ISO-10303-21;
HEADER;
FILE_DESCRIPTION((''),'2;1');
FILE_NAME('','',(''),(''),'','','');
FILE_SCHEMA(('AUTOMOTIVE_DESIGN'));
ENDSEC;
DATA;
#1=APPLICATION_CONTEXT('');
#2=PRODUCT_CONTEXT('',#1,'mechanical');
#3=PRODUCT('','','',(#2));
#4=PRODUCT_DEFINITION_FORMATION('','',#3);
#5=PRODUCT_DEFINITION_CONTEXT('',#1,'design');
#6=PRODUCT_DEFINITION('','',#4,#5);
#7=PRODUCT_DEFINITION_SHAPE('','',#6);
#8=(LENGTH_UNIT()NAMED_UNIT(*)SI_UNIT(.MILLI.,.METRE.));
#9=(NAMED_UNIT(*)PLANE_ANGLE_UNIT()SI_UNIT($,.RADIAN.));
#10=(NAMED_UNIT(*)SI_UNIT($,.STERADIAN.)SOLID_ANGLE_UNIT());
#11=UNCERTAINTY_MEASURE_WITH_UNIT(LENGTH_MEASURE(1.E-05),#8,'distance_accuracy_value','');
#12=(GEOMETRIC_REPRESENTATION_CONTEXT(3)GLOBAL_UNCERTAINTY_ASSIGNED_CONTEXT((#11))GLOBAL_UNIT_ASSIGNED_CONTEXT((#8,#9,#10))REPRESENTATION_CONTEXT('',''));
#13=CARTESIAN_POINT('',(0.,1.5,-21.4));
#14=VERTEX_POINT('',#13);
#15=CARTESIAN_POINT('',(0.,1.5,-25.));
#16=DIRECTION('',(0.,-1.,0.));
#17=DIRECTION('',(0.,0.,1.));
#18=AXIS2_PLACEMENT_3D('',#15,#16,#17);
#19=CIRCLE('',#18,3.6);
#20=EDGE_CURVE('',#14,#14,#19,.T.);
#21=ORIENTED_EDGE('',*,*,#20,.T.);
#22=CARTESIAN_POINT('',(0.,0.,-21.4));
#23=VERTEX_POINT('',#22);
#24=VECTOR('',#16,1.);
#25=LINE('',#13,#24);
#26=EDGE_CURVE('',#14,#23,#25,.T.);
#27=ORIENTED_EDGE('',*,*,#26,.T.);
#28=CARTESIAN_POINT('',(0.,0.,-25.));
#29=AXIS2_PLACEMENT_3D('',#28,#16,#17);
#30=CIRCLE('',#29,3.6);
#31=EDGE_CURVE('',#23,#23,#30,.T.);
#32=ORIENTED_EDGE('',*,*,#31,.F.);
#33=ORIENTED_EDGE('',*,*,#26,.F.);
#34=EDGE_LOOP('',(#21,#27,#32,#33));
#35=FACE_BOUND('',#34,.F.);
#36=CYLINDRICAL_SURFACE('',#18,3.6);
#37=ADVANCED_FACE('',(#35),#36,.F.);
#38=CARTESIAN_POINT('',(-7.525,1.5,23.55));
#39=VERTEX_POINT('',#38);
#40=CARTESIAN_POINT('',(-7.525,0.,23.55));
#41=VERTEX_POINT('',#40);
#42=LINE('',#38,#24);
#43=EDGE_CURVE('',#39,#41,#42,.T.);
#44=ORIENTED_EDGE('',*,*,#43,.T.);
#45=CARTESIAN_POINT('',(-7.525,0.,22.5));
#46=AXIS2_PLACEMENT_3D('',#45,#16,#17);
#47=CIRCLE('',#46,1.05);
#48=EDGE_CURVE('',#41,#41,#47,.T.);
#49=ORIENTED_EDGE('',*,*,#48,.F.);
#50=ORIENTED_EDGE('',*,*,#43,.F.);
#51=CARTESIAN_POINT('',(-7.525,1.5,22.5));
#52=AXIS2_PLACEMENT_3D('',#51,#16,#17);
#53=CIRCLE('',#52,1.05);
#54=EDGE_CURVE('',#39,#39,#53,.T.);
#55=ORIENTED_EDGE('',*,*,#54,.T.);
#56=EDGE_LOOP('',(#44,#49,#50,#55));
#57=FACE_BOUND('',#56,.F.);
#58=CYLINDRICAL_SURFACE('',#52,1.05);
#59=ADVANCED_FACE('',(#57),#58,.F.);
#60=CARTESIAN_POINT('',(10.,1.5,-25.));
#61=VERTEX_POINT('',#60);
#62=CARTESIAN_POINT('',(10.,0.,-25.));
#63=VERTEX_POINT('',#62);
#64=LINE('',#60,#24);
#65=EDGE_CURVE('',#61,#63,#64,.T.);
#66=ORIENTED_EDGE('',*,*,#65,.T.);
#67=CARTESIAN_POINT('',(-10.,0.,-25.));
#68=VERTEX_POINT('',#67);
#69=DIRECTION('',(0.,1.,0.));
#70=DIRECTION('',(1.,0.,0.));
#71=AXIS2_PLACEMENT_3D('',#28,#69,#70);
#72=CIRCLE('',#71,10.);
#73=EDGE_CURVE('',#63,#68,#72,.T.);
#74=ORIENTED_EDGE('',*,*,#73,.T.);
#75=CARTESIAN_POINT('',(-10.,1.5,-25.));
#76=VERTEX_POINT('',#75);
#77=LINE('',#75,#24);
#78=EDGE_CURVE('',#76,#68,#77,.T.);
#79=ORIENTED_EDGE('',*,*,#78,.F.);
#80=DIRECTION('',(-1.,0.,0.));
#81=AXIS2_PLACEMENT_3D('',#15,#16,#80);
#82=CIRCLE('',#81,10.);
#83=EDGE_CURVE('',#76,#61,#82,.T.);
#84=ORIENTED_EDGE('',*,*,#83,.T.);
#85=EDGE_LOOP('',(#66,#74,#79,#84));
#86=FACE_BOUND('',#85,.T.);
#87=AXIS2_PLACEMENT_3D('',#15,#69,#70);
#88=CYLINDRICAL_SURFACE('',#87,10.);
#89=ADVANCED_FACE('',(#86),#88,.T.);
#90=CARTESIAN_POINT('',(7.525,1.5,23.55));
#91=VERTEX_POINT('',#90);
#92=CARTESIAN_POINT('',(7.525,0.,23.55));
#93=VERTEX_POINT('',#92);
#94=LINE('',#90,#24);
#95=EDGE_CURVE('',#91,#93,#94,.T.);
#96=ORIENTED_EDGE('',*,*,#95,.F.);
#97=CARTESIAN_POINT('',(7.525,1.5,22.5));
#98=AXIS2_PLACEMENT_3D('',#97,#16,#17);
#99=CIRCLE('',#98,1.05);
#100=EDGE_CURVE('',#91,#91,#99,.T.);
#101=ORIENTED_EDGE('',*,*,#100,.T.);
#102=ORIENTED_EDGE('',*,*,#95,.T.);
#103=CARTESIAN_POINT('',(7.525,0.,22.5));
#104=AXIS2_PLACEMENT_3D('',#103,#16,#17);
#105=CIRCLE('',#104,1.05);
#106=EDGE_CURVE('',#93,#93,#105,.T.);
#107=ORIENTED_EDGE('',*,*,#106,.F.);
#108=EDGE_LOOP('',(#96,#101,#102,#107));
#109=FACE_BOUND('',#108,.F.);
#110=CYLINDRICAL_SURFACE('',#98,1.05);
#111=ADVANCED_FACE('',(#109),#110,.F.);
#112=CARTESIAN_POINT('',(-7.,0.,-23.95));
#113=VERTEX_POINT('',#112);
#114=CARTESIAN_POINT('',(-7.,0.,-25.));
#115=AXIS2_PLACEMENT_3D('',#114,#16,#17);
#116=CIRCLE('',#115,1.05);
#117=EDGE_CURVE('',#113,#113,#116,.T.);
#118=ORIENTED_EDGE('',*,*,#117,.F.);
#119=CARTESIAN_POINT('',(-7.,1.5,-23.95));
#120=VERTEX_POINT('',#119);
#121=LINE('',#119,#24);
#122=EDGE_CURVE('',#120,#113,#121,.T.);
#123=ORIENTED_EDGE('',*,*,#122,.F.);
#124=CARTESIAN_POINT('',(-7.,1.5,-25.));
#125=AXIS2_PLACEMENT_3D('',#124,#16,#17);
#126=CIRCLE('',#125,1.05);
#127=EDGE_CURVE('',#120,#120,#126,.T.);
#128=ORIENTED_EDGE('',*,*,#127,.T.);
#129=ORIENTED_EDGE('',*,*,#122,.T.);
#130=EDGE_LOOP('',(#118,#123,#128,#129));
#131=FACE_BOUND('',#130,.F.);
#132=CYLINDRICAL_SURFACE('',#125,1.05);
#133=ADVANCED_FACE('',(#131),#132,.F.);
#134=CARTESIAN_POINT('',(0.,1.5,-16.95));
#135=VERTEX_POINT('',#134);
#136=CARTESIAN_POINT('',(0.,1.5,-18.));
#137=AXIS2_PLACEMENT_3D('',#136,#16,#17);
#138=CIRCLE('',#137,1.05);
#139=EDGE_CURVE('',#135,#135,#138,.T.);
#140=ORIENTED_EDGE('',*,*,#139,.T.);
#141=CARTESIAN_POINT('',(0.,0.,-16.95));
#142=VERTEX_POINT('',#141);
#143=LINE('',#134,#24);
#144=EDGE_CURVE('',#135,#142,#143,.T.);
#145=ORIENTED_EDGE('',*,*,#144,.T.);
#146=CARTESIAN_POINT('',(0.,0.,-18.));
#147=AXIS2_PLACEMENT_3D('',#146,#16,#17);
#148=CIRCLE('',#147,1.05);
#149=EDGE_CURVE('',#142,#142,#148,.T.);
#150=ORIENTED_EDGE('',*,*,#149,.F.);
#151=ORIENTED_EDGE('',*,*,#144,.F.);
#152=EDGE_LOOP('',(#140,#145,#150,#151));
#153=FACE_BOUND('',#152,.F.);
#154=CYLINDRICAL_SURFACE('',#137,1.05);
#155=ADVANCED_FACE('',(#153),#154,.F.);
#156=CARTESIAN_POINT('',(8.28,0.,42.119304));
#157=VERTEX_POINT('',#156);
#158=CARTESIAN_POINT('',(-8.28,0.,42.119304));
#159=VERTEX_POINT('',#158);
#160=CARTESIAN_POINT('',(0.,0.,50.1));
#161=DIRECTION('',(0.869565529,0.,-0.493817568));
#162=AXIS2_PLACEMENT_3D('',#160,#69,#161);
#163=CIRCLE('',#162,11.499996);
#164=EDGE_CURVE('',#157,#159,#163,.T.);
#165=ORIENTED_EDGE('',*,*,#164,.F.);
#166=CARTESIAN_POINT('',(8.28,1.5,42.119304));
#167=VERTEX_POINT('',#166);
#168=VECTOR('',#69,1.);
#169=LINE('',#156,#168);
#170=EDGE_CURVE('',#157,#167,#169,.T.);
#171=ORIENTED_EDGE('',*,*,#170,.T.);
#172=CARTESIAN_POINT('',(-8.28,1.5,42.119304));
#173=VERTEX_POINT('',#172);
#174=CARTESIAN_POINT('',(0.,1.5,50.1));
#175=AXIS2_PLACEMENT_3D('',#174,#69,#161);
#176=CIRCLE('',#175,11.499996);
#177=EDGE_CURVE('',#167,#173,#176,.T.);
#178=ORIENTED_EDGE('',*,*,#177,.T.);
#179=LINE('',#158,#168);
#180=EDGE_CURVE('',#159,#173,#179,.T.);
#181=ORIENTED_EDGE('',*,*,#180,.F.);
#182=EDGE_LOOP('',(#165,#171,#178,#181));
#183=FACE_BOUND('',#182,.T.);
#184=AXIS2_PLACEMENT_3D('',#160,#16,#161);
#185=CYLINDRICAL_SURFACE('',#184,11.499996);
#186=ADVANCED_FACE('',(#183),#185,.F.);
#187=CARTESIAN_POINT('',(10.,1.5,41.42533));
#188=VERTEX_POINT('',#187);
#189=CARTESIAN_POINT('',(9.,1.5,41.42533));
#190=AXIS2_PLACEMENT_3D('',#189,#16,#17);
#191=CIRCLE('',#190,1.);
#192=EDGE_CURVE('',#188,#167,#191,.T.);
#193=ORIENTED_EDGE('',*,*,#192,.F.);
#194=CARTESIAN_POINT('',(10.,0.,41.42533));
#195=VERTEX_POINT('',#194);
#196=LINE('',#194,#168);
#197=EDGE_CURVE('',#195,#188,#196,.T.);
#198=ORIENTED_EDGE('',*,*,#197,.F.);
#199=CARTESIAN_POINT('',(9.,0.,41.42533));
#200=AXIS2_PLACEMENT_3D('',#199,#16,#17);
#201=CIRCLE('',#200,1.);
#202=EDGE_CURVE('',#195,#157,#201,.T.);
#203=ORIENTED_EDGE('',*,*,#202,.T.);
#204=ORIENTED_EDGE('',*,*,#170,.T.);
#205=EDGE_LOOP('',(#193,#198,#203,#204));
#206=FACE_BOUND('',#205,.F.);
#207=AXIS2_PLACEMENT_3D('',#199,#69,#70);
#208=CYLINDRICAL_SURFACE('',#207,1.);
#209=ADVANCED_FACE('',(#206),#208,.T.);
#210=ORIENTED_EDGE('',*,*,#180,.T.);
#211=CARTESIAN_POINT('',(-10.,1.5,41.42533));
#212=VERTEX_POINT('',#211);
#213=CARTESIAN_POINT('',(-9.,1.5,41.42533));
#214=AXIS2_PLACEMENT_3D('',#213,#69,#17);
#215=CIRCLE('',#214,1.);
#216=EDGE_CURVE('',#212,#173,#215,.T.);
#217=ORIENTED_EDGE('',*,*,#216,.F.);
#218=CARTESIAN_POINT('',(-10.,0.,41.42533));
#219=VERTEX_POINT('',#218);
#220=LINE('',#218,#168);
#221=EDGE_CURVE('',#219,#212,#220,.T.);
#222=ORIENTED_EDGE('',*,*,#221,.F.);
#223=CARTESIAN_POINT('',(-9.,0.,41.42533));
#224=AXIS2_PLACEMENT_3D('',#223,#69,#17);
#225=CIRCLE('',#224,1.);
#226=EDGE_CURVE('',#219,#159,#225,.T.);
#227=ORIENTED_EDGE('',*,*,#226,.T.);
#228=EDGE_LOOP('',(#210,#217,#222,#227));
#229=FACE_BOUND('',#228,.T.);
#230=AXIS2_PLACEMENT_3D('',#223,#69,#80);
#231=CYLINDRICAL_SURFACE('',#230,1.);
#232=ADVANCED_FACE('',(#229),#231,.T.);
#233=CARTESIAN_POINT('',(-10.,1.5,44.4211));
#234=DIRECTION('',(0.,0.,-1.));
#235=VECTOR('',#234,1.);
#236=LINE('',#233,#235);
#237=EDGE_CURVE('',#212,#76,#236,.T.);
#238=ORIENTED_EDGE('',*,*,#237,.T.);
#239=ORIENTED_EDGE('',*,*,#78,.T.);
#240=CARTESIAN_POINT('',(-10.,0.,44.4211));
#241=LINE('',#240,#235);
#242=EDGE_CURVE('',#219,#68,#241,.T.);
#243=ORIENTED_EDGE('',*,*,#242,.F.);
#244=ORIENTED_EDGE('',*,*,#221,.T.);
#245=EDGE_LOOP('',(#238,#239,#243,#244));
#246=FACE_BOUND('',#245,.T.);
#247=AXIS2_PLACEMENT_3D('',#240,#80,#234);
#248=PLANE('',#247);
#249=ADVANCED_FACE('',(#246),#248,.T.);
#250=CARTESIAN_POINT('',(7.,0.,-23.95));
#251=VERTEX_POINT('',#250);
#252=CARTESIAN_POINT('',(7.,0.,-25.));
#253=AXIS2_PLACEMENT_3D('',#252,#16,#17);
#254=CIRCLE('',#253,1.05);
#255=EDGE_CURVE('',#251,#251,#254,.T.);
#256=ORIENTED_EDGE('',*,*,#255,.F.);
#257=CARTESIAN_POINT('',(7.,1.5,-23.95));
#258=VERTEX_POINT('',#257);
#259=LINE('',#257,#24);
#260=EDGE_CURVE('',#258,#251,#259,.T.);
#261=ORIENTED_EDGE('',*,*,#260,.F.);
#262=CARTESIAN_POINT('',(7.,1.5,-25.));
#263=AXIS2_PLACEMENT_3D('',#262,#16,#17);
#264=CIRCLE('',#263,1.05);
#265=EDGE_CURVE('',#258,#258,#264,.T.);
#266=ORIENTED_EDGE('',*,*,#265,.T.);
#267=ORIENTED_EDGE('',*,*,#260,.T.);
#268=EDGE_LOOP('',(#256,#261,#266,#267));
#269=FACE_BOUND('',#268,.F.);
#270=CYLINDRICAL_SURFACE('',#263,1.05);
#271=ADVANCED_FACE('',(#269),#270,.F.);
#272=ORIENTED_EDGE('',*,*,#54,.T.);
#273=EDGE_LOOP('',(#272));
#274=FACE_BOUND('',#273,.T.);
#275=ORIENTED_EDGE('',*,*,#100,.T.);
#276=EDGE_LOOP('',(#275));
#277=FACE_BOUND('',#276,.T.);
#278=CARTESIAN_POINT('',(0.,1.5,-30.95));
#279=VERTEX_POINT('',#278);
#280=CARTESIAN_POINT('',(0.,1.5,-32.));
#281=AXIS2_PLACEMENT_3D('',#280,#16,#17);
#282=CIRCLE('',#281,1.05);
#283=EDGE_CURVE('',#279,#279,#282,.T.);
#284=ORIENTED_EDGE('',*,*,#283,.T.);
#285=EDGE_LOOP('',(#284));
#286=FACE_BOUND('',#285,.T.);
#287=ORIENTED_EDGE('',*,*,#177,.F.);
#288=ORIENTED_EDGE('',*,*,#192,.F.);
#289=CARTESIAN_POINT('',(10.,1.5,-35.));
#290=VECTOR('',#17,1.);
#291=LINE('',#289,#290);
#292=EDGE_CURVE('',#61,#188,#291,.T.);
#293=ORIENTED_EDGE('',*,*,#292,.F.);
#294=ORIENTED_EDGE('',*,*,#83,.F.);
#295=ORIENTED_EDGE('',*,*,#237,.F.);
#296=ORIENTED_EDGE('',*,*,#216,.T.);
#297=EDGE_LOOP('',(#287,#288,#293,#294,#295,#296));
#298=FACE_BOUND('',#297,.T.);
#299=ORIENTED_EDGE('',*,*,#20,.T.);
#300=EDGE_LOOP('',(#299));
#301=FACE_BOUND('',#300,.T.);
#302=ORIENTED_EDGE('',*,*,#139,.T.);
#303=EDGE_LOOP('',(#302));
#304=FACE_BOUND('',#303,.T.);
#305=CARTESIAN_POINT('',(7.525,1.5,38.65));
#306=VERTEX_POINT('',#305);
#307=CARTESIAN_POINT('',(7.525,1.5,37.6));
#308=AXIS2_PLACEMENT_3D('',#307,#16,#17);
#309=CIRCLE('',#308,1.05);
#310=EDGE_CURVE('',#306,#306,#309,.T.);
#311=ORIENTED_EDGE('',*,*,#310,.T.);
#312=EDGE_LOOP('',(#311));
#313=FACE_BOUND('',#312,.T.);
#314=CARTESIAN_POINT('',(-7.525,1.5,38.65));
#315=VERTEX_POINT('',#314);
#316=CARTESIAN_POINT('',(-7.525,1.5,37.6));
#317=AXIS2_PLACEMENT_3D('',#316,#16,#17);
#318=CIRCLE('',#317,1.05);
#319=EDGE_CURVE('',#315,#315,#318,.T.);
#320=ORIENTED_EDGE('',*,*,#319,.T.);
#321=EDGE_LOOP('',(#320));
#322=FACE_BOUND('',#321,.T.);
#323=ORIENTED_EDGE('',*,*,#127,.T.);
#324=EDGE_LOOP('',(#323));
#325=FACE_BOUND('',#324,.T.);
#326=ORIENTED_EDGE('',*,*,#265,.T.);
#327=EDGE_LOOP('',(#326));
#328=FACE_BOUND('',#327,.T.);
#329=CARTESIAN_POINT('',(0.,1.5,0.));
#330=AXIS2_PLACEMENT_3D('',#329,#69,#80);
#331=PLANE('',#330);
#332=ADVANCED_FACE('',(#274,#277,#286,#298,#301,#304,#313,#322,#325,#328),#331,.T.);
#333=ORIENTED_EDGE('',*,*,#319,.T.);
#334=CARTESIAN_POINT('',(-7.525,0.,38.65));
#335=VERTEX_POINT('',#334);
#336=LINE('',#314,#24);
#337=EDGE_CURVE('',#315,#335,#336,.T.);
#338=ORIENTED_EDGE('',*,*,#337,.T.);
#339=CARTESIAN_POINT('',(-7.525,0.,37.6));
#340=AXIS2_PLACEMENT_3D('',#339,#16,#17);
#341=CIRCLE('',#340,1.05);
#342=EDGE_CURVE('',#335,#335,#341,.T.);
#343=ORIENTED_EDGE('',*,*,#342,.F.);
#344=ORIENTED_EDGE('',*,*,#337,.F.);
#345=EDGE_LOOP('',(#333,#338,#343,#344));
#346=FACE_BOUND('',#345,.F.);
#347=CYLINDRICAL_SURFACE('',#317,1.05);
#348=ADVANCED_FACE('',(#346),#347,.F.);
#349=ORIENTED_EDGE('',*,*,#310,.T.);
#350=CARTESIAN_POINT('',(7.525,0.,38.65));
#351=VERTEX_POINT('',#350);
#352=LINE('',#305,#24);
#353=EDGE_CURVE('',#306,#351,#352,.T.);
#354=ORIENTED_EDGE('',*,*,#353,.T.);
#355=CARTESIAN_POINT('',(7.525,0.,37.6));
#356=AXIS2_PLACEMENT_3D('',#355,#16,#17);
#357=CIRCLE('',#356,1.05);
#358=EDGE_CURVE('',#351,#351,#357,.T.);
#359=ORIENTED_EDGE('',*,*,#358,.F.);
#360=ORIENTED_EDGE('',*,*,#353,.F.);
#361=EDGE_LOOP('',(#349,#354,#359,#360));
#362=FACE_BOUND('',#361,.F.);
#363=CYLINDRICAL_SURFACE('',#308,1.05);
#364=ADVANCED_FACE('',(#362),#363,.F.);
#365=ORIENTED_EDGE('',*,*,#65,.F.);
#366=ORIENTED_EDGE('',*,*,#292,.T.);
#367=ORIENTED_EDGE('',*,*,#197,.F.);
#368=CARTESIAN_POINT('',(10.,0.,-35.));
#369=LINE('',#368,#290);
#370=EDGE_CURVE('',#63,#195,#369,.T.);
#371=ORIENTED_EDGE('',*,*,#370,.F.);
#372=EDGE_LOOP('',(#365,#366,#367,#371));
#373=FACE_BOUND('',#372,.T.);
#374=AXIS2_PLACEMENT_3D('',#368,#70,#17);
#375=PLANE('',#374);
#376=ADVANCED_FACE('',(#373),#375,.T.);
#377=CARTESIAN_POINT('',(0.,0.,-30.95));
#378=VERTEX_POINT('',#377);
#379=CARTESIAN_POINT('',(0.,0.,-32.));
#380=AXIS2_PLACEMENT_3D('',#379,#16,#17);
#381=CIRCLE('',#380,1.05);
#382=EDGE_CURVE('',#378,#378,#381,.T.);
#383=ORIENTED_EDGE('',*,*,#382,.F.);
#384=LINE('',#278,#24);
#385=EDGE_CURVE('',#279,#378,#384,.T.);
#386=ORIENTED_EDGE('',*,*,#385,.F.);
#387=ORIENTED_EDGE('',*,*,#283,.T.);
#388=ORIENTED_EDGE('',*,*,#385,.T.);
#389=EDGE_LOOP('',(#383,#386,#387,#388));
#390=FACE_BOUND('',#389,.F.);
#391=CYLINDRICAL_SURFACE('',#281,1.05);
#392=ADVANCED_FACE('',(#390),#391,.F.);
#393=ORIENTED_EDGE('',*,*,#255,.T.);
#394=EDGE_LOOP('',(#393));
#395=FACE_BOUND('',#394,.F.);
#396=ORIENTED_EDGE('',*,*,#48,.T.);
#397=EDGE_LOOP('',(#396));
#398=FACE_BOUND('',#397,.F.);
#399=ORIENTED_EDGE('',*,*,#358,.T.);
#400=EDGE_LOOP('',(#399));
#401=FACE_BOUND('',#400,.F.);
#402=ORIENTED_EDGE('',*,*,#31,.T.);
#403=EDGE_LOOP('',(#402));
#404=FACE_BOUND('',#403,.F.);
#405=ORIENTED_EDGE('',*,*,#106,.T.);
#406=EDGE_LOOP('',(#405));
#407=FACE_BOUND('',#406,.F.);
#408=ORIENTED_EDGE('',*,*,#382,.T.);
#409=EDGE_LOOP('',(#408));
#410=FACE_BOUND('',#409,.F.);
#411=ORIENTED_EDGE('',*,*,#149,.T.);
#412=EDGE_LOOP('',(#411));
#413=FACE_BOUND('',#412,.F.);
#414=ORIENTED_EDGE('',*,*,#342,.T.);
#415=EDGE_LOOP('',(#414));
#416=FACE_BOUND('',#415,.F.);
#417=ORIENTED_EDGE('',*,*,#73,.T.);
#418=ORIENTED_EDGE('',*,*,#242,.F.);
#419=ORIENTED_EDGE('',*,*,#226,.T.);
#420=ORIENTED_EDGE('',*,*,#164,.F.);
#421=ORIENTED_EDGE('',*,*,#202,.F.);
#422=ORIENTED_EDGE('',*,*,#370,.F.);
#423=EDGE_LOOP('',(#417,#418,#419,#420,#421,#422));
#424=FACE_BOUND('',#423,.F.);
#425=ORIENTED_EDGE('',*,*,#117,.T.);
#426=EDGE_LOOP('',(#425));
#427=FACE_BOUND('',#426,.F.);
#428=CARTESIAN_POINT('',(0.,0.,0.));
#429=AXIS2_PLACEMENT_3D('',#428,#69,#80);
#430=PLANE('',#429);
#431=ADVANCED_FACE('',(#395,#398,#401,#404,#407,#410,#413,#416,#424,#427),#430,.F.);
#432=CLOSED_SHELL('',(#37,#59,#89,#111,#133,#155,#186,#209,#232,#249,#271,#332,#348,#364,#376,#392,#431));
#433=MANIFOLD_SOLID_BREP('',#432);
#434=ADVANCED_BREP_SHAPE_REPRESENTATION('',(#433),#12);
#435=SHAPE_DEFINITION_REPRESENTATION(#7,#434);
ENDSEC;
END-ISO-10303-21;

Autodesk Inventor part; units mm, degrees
ref_plane "YZ Plane" through (0, 0, 0) normal (1, 0, 0) x (0, 1, 0)
ref_plane "XZ Plane" through (0, 0, 0) normal (0, 1, 0) x (-1, 0, 0)
ref_plane "XY Plane" through (0, 0, 0) normal (0, 0, 1) x (1, 0, 0)
sketch "Sketch1" plane through (0, 0, 0) normal (0, 1, 0) x (-1, 0, 0)
  line L0 (10, -35) -> (-10, -35)
  line L1 (-10, -35) -> (-10, 44.4211)
  line L2 (10, 44.4211) -> (10, -35)
  arc A0 (-10, 44.4211) -> (10, 44.4211) centre (0, 50.1) ccw
  point P0 (0, 0)
  dimension "d2" = 35
  dimension "d3" = 10
  dimension "d36" = 23
  dimension "d37" = 85.1
  dimension "d39" = 79.4211
  dimension "d40" = 20
extrude "Plate1" add sketch "Sketch1" along normal blind 1.5
sketch "Sketch3" plane through (0, 1.5, 0) normal (0, 1, 0) x (1, 0, 0)
  circle A0 centre (0, 25) radius 10
  circle A1 centre (0, -25) radius 10
  line L0 (-10, 35) -> (10, 35) projected
  line L1 (10, -44) -> (-10, -44) projected
  line L2 (-10, 35) -> (10, 35)
  line L3 (10, 35) -> (10, 25)
  line L4 (10, 25) -> (-10, 25)
  line L5 (-10, 25) -> (-10, 35)
  line L6 (10, -35) -> (-10, -35)
  line L7 (-10, -35) -> (-10, -25)
  line L8 (-10, -25) -> (10, -25)
  line L9 (10, -25) -> (10, -44)
  point P0 (0, 0)
  point P1 (-10, -44.4211)
  point P2 (10, -25)
  point P3 (0, -35)
  point P4 (-10, -35)
  point P5 (0, 35)
  point P6 (10, 35)
  dimension "d12" = 20
  dimension "d13" = 20
  dimension "d14" = 10
  dimension "d15" = 10
  dimension "d16" = 25
  dimension "d17" = 25
  dimension "d18" = 10
extrude "Extrusion1" cut sketch "Sketch3" against normal blind 10 contours L5 L0 A0 | A0 L0 L3
sketch "Sketch4" plane through (0, 1.5, 0) normal (0, 1, 0) x (1, 0, 0)
  circle A0 centre (-7, 25) radius 0.8
  arc A1 (10, 25) -> (-10, 25) centre (0, 25) ccw projected
  circle A2 centre (0, 18) radius 0.8
  circle A3 centre (7, 25) radius 0.8
  circle A4 centre (0, 32) radius 0.8
  point P0 (0, 0)
  dimension "d21" = 0
  dimension "d22" = 7
  dimension "d23" = 1.6
  dimension "d26" = 360
hole "Hole2" at (0, 1.5, -32) at (7, 1.5, -25) at (0, 1.5, -18) at (-7, 1.5, -25) direction (0, -1, 0) diameter 2.1 depth 1.5
fillet "Fillet1" radius 1 2 edges at (-10, 0.75, 44.4211) (10, 0.75, 44.4211)
sketch "Sketch5" plane through (0, 1.5, 0) normal (0, 1, 0) x (1, 0, 0)
  arc A0 (10, 25) -> (-10, 25) centre (0, 25) ccw projected
  point P0 (0, 0)
hole "Hole3" at (0, 1.5, -25) direction (0, -1, 0) diameter 7.2 depth 1.5
sketch "Sketch7" plane through (0, 1.5, 0) normal (0, 1, 0) x (1, 0, 0)
  circle A0 centre (7.525, -37.6) radius 1.05
  circle A1 centre (-7.525, -37.6) radius 1.05
  circle A2 centre (-7.525, -22.5) radius 1.05
  circle A3 centre (7.525, -22.5) radius 1.05
  point P0 (0, 0)
hole "Hole5" at (-7.525, 1.5, 22.5) at (7.525, 1.5, 22.5) at (7.525, 1.5, 37.6) at (-7.525, 1.5, 37.6) direction (0, -1, 0) diameter 2.1 end through all
equation "\"d33\" = Thickness"
equation "\"d47\" = Thickness"
equation "\"d61\" = Thickness"
equation "\"d4\" = Thickness"
equation "\"BendReliefWidth\" = Thickness"
equation "\"BendReliefDepth\" = 0.5 * Thickness"
equation "\"CornerReliefSize\" = 4 * Thickness"
equation "\"MinimumRemnant\" = 2 * Thickness"
equation "\"TransitionRadius\" = BendRadius"
equation "\"JacobiRadiusSize\" = BendRadius"
equation "\"GapSize\" = Thickness"
equation "\"Thickness\" = 1.5"
equation "\"BendRadius\" = 0.31"
properties part number "axis_8_10_connector_frame" material "Aluminum 6061-AHC"
